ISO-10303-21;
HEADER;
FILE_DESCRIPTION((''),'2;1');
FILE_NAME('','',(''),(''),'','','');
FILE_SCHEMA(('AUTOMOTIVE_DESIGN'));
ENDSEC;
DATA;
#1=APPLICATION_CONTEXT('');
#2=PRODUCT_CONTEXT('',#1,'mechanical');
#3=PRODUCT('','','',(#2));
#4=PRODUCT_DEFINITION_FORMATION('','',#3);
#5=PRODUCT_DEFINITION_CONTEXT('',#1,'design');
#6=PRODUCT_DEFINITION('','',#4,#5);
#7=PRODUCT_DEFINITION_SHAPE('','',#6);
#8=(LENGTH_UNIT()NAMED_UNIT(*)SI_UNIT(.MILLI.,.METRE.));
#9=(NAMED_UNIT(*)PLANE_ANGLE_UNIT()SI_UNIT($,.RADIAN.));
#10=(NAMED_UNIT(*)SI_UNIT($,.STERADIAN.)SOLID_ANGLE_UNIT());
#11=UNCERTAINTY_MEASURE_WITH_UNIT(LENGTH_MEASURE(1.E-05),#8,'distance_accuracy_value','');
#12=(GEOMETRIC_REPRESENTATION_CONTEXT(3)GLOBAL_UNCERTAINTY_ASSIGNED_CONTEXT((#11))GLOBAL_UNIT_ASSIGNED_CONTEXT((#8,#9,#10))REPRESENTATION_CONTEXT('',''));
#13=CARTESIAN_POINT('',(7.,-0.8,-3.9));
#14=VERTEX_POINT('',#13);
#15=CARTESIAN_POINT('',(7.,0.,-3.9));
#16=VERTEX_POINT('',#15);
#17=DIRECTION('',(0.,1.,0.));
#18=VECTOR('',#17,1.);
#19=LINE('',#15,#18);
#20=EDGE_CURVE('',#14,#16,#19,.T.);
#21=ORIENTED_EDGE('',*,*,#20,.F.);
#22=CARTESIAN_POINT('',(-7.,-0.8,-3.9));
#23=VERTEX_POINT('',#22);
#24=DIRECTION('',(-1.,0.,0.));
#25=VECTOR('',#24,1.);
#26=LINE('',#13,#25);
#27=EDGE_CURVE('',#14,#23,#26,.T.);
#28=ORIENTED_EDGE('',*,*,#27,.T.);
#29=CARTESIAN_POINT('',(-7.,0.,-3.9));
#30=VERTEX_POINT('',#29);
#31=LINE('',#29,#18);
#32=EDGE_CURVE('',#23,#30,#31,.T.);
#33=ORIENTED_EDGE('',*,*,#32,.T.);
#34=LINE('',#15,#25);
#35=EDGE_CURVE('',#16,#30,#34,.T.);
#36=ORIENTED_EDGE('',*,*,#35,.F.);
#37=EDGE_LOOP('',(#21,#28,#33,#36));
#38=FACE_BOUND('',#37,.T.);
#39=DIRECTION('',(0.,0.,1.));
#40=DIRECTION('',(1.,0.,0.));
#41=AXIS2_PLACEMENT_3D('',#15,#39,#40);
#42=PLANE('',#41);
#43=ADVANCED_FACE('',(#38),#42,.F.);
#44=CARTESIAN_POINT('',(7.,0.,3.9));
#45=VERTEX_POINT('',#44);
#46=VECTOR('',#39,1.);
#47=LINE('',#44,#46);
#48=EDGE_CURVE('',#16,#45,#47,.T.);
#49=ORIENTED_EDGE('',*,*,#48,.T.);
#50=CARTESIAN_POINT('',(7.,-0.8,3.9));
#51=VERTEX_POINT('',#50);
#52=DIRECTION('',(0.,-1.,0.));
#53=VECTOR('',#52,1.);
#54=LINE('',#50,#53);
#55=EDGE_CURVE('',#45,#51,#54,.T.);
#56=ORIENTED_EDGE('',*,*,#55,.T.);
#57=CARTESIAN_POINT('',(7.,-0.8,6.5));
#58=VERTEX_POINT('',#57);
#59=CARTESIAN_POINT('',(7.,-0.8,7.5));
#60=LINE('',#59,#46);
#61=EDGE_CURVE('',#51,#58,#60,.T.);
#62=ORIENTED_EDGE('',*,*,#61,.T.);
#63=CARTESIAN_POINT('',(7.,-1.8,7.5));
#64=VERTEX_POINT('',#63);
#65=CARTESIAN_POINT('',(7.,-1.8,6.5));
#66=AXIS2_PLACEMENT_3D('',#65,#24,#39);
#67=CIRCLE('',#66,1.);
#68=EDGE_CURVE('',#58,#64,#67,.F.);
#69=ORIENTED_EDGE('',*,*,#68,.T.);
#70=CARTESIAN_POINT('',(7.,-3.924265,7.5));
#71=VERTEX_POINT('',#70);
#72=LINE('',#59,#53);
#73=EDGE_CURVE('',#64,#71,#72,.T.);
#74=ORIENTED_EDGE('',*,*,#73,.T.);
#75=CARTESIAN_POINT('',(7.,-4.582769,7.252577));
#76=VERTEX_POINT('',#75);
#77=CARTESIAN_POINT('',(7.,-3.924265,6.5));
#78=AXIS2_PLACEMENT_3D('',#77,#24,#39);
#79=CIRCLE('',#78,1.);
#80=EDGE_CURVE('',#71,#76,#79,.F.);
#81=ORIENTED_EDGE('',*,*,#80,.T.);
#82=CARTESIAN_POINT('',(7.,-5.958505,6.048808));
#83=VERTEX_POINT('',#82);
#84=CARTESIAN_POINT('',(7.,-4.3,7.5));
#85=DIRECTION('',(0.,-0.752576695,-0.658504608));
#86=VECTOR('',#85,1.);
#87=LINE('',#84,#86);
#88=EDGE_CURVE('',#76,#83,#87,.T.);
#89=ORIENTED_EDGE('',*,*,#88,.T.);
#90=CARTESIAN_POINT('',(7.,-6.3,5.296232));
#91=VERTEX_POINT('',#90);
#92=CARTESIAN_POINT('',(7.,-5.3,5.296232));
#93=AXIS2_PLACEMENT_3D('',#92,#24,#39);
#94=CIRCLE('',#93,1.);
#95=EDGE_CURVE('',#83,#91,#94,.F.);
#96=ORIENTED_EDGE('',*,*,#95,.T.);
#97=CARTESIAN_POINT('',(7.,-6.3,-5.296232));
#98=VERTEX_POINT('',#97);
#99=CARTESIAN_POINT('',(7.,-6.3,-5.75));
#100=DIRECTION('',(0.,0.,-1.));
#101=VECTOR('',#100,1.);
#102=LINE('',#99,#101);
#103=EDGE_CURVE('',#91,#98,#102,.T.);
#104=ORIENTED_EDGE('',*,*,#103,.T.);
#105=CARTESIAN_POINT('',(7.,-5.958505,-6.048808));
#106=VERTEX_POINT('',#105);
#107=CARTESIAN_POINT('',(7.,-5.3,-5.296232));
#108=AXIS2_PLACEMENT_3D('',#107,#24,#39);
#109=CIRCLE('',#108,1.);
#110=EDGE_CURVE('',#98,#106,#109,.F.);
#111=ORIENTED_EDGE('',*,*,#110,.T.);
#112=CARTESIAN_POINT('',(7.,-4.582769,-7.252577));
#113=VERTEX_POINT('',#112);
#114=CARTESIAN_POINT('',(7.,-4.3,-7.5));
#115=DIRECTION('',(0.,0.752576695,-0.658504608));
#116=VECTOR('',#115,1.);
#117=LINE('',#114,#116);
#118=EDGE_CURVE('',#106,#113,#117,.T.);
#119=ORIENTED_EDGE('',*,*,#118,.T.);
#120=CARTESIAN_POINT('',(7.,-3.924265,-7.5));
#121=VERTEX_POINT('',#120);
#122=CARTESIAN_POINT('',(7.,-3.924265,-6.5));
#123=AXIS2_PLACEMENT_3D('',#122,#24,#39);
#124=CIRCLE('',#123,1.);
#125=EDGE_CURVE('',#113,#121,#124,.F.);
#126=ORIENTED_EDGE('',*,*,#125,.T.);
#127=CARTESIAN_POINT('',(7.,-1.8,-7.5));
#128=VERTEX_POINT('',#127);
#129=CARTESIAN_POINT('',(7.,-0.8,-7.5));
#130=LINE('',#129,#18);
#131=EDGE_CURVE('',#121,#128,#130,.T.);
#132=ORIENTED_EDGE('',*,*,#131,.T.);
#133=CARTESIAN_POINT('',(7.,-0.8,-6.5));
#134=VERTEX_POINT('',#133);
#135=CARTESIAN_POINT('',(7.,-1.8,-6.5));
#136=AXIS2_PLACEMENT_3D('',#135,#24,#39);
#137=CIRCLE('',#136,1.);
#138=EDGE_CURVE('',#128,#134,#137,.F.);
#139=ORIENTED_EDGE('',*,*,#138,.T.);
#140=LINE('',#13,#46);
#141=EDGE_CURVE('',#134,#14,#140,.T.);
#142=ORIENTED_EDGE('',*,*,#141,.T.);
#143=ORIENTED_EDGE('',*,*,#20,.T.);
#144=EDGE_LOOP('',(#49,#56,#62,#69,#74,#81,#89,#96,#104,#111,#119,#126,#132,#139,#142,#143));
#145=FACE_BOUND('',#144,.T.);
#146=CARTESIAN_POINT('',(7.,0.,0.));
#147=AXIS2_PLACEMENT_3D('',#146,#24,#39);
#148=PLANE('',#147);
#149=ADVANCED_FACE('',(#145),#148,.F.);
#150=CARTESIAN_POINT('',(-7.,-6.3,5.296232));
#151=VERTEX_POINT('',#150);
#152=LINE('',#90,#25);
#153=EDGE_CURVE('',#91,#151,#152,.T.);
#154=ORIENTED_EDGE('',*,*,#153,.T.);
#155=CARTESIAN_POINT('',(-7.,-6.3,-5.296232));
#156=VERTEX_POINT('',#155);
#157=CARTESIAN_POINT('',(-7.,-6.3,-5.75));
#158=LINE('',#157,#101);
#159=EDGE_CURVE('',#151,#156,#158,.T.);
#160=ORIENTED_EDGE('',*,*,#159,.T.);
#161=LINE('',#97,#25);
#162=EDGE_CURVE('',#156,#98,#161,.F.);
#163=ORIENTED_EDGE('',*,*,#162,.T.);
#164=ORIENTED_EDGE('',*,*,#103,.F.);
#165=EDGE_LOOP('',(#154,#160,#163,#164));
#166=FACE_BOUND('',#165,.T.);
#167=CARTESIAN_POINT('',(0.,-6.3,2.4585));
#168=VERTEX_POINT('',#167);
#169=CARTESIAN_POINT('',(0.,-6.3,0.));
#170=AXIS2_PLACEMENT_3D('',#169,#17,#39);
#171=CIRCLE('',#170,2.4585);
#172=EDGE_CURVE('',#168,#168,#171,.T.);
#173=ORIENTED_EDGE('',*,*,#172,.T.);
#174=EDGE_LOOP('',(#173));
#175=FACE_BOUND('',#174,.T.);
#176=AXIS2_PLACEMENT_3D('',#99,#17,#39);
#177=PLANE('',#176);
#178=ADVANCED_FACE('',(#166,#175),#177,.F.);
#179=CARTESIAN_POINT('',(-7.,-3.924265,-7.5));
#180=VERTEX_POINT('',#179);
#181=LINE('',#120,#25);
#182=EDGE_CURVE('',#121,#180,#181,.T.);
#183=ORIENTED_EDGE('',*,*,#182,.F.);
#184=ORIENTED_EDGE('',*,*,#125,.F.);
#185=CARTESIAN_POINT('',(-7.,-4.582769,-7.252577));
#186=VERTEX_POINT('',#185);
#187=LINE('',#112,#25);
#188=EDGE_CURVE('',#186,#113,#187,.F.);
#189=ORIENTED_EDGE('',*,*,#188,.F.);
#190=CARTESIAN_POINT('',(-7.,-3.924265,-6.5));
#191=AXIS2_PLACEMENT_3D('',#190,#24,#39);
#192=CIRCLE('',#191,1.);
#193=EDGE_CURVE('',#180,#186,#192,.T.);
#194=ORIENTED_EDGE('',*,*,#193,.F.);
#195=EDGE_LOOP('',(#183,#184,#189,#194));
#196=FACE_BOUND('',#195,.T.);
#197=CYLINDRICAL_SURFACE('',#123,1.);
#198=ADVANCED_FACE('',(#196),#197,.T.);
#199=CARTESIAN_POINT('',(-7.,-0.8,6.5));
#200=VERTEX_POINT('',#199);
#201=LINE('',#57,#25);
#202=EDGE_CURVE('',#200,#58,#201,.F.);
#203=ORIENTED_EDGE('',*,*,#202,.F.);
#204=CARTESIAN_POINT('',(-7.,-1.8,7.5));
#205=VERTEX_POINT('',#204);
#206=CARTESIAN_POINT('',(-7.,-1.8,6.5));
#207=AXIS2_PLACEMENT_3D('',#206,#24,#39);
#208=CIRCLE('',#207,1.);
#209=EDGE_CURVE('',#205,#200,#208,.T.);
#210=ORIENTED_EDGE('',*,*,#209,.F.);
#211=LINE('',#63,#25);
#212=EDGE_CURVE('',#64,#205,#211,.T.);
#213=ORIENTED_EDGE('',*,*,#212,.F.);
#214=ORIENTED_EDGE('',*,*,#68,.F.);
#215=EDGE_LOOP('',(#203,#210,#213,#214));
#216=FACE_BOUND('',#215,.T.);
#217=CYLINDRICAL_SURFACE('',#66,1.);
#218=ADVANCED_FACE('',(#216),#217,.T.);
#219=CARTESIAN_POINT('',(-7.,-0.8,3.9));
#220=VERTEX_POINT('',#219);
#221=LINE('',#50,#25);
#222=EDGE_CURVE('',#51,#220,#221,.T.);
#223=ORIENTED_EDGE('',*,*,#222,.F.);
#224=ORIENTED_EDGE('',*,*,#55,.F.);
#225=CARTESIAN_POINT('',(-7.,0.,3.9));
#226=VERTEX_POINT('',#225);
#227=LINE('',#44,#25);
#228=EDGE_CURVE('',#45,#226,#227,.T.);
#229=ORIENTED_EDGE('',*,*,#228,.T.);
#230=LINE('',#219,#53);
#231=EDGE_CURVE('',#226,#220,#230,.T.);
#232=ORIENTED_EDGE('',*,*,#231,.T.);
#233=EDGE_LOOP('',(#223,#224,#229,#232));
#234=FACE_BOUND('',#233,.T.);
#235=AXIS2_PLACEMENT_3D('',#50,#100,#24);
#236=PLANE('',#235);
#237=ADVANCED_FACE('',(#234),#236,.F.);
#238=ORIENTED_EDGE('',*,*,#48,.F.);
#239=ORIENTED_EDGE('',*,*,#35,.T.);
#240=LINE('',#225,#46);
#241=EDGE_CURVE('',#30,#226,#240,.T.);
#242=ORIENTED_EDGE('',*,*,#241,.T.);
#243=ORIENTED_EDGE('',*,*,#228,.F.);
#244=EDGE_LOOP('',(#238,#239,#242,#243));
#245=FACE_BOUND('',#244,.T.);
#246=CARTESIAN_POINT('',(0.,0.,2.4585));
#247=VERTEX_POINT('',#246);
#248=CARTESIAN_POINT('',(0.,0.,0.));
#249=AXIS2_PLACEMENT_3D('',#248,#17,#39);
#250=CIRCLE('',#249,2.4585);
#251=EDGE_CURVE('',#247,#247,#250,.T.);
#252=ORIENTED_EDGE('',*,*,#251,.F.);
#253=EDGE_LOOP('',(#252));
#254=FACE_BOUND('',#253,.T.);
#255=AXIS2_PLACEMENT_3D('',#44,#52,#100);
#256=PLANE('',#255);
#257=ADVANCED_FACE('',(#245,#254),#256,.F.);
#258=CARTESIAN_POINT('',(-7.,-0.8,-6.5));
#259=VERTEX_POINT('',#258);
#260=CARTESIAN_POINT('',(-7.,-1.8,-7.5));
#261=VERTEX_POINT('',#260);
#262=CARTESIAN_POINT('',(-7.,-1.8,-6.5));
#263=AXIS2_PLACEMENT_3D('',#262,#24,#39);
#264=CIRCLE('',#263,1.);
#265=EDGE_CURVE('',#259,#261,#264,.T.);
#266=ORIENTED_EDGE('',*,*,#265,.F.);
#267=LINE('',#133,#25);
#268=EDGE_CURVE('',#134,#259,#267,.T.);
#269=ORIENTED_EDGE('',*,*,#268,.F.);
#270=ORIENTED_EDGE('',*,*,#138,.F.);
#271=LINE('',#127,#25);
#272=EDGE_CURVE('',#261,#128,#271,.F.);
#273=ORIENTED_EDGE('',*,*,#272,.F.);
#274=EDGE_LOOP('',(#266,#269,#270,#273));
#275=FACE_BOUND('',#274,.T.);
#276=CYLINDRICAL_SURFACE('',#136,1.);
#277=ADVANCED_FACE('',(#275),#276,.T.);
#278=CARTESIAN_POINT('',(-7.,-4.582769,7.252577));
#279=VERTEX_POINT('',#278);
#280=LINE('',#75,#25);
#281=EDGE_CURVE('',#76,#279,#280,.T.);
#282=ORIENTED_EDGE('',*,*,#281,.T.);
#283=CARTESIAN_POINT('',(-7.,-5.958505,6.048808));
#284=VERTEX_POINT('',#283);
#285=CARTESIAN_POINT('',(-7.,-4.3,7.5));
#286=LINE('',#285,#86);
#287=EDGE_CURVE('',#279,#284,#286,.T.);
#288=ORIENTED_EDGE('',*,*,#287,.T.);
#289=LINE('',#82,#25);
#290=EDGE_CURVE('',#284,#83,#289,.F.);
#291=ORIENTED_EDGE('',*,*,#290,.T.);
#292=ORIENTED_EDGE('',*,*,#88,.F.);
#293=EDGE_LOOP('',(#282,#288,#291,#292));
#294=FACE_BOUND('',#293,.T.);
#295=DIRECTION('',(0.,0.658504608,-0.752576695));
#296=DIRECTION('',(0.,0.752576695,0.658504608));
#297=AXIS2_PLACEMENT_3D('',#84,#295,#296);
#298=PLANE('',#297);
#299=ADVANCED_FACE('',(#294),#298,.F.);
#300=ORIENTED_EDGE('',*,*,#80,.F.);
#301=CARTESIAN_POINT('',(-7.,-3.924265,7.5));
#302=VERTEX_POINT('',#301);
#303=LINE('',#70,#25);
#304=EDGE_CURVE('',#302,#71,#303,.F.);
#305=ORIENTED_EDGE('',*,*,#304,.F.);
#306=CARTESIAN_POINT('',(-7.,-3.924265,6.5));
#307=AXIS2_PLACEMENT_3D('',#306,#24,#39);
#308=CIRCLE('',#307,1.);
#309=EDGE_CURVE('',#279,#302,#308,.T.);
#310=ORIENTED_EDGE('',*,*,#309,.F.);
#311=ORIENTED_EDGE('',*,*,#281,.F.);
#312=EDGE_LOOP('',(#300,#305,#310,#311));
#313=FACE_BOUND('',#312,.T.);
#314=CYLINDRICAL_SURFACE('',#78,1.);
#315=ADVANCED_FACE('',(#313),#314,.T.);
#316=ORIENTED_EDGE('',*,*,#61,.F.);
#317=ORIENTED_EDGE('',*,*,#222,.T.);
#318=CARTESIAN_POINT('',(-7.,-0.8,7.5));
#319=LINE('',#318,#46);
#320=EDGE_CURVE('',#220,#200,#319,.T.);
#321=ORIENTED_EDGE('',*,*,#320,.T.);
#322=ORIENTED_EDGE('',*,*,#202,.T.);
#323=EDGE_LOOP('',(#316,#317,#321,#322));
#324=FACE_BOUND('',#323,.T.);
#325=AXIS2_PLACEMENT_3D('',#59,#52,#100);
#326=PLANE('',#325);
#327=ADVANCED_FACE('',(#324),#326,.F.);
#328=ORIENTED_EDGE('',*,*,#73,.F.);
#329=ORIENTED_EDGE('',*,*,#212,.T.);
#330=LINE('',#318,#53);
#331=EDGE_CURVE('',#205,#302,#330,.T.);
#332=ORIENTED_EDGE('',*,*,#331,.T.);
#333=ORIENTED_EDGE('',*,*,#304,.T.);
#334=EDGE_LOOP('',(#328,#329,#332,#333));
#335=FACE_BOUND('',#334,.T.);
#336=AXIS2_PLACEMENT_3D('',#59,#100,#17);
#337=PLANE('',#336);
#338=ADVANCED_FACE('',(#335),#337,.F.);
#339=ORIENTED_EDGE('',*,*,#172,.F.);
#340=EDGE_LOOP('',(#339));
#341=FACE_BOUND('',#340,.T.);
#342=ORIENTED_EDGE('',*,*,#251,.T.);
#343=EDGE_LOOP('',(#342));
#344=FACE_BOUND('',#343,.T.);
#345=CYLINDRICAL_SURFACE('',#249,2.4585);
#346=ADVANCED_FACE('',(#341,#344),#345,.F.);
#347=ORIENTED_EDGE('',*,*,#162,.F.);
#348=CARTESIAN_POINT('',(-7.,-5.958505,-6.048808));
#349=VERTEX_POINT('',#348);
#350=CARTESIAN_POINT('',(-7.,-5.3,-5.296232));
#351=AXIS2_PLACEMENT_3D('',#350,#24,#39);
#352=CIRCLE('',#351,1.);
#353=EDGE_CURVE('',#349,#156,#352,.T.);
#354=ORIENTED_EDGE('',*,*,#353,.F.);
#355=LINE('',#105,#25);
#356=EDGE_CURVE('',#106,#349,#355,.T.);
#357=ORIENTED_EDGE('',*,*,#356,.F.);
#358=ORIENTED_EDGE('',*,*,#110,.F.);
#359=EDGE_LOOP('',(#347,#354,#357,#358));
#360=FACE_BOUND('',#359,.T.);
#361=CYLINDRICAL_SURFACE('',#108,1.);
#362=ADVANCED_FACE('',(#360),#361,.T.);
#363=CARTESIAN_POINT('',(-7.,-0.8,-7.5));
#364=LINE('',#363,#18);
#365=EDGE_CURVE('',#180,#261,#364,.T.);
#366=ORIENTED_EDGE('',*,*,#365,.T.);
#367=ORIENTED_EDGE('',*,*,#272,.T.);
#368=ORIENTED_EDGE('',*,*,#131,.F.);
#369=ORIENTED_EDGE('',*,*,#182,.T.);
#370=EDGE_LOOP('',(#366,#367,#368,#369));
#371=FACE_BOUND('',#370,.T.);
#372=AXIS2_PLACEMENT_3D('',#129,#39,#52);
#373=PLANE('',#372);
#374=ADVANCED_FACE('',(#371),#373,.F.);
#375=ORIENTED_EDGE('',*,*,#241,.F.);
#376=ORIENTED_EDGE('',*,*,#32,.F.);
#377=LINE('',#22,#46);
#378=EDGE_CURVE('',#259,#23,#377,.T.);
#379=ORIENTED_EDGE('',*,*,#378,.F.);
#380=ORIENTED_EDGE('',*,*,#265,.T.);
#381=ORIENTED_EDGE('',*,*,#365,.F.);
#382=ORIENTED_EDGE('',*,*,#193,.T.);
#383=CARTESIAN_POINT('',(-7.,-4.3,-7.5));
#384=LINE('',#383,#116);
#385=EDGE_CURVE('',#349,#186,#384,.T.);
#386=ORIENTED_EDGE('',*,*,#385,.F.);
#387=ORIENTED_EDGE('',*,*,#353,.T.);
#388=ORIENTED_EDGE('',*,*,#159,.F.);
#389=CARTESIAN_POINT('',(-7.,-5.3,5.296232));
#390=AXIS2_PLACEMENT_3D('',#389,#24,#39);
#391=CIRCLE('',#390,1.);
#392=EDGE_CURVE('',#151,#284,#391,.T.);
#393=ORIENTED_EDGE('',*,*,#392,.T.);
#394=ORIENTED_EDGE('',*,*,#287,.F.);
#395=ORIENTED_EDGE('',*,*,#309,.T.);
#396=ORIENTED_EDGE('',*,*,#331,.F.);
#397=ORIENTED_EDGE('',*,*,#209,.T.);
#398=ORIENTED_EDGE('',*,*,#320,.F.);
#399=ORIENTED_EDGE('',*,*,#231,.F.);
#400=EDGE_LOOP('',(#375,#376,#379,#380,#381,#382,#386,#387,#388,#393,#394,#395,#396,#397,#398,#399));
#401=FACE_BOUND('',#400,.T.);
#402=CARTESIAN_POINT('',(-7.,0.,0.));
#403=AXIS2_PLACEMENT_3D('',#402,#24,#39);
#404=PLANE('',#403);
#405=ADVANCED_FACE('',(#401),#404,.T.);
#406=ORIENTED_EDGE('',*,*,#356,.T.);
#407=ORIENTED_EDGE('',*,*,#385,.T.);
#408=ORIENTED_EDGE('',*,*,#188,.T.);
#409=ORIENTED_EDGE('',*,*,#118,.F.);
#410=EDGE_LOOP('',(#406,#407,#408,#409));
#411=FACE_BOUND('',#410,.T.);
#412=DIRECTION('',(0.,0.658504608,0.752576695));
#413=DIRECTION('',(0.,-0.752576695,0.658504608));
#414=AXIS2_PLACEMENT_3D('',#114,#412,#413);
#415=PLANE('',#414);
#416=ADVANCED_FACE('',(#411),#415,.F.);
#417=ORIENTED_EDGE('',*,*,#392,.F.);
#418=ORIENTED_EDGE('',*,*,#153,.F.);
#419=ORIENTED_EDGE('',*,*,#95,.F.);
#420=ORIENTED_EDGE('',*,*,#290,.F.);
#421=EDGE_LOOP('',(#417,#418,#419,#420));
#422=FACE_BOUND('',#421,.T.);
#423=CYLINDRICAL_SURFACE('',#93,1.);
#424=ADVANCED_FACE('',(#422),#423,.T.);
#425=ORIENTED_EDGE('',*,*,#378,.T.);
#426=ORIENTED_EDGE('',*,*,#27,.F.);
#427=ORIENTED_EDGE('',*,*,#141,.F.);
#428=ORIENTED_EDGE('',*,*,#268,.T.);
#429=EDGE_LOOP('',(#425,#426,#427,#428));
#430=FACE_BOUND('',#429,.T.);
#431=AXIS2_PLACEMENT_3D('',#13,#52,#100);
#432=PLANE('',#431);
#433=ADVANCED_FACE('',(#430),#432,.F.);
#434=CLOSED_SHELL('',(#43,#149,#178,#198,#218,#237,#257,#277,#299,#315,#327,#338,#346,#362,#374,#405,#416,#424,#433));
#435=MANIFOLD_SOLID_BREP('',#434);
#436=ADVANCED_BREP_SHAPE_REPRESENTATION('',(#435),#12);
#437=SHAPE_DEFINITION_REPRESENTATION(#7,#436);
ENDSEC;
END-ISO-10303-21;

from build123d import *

# Parameters (mm, degrees)
BOSS_EXTRUDE1_DEPTH = 14
FILLET1_R           = 1
TAPPED_HOLE1_D      = 4.917


with BuildPart() as part:
    # Sketch1 → Boss-Extrude1 (new body)
    with BuildSketch(Plane(origin=(-7, 0, 0), x_dir=(0, 0, -1), z_dir=(1, 0, 0))):
        Polygon((5.75, -6.3), (-5.75, -6.3), (-7.5, -4.3), (-7.5, -0.8), (-3.9, -0.8), (-3.9, 0), (3.9, 0), (3.9, -0.8), (7.5, -0.8), (7.5, -4.3), align=None)
    extrude(amount=BOSS_EXTRUDE1_DEPTH)

    # Fillet1
    fillet1_edges = [part.edges().sort_by_distance(p)[0] for p in [
        (0, -0.8, -7.5),
        (0, -4.3, -7.5),
        (0, -6.3, -5.75),
        (0, -6.3, 5.75),
        (0, -4.3, 7.5),
        (0, -0.8, 7.5),
    ]]
    fillet(fillet1_edges, radius=FILLET1_R)

    # Tapped Hole1 (through all)
    with Locations(Plane(origin=(0, 0, 0), x_dir=(1, 0, 0), z_dir=(0, 1, 0))):
        with Locations((0, 0)):
            Hole(TAPPED_HOLE1_D / 2)


solid = part.part
